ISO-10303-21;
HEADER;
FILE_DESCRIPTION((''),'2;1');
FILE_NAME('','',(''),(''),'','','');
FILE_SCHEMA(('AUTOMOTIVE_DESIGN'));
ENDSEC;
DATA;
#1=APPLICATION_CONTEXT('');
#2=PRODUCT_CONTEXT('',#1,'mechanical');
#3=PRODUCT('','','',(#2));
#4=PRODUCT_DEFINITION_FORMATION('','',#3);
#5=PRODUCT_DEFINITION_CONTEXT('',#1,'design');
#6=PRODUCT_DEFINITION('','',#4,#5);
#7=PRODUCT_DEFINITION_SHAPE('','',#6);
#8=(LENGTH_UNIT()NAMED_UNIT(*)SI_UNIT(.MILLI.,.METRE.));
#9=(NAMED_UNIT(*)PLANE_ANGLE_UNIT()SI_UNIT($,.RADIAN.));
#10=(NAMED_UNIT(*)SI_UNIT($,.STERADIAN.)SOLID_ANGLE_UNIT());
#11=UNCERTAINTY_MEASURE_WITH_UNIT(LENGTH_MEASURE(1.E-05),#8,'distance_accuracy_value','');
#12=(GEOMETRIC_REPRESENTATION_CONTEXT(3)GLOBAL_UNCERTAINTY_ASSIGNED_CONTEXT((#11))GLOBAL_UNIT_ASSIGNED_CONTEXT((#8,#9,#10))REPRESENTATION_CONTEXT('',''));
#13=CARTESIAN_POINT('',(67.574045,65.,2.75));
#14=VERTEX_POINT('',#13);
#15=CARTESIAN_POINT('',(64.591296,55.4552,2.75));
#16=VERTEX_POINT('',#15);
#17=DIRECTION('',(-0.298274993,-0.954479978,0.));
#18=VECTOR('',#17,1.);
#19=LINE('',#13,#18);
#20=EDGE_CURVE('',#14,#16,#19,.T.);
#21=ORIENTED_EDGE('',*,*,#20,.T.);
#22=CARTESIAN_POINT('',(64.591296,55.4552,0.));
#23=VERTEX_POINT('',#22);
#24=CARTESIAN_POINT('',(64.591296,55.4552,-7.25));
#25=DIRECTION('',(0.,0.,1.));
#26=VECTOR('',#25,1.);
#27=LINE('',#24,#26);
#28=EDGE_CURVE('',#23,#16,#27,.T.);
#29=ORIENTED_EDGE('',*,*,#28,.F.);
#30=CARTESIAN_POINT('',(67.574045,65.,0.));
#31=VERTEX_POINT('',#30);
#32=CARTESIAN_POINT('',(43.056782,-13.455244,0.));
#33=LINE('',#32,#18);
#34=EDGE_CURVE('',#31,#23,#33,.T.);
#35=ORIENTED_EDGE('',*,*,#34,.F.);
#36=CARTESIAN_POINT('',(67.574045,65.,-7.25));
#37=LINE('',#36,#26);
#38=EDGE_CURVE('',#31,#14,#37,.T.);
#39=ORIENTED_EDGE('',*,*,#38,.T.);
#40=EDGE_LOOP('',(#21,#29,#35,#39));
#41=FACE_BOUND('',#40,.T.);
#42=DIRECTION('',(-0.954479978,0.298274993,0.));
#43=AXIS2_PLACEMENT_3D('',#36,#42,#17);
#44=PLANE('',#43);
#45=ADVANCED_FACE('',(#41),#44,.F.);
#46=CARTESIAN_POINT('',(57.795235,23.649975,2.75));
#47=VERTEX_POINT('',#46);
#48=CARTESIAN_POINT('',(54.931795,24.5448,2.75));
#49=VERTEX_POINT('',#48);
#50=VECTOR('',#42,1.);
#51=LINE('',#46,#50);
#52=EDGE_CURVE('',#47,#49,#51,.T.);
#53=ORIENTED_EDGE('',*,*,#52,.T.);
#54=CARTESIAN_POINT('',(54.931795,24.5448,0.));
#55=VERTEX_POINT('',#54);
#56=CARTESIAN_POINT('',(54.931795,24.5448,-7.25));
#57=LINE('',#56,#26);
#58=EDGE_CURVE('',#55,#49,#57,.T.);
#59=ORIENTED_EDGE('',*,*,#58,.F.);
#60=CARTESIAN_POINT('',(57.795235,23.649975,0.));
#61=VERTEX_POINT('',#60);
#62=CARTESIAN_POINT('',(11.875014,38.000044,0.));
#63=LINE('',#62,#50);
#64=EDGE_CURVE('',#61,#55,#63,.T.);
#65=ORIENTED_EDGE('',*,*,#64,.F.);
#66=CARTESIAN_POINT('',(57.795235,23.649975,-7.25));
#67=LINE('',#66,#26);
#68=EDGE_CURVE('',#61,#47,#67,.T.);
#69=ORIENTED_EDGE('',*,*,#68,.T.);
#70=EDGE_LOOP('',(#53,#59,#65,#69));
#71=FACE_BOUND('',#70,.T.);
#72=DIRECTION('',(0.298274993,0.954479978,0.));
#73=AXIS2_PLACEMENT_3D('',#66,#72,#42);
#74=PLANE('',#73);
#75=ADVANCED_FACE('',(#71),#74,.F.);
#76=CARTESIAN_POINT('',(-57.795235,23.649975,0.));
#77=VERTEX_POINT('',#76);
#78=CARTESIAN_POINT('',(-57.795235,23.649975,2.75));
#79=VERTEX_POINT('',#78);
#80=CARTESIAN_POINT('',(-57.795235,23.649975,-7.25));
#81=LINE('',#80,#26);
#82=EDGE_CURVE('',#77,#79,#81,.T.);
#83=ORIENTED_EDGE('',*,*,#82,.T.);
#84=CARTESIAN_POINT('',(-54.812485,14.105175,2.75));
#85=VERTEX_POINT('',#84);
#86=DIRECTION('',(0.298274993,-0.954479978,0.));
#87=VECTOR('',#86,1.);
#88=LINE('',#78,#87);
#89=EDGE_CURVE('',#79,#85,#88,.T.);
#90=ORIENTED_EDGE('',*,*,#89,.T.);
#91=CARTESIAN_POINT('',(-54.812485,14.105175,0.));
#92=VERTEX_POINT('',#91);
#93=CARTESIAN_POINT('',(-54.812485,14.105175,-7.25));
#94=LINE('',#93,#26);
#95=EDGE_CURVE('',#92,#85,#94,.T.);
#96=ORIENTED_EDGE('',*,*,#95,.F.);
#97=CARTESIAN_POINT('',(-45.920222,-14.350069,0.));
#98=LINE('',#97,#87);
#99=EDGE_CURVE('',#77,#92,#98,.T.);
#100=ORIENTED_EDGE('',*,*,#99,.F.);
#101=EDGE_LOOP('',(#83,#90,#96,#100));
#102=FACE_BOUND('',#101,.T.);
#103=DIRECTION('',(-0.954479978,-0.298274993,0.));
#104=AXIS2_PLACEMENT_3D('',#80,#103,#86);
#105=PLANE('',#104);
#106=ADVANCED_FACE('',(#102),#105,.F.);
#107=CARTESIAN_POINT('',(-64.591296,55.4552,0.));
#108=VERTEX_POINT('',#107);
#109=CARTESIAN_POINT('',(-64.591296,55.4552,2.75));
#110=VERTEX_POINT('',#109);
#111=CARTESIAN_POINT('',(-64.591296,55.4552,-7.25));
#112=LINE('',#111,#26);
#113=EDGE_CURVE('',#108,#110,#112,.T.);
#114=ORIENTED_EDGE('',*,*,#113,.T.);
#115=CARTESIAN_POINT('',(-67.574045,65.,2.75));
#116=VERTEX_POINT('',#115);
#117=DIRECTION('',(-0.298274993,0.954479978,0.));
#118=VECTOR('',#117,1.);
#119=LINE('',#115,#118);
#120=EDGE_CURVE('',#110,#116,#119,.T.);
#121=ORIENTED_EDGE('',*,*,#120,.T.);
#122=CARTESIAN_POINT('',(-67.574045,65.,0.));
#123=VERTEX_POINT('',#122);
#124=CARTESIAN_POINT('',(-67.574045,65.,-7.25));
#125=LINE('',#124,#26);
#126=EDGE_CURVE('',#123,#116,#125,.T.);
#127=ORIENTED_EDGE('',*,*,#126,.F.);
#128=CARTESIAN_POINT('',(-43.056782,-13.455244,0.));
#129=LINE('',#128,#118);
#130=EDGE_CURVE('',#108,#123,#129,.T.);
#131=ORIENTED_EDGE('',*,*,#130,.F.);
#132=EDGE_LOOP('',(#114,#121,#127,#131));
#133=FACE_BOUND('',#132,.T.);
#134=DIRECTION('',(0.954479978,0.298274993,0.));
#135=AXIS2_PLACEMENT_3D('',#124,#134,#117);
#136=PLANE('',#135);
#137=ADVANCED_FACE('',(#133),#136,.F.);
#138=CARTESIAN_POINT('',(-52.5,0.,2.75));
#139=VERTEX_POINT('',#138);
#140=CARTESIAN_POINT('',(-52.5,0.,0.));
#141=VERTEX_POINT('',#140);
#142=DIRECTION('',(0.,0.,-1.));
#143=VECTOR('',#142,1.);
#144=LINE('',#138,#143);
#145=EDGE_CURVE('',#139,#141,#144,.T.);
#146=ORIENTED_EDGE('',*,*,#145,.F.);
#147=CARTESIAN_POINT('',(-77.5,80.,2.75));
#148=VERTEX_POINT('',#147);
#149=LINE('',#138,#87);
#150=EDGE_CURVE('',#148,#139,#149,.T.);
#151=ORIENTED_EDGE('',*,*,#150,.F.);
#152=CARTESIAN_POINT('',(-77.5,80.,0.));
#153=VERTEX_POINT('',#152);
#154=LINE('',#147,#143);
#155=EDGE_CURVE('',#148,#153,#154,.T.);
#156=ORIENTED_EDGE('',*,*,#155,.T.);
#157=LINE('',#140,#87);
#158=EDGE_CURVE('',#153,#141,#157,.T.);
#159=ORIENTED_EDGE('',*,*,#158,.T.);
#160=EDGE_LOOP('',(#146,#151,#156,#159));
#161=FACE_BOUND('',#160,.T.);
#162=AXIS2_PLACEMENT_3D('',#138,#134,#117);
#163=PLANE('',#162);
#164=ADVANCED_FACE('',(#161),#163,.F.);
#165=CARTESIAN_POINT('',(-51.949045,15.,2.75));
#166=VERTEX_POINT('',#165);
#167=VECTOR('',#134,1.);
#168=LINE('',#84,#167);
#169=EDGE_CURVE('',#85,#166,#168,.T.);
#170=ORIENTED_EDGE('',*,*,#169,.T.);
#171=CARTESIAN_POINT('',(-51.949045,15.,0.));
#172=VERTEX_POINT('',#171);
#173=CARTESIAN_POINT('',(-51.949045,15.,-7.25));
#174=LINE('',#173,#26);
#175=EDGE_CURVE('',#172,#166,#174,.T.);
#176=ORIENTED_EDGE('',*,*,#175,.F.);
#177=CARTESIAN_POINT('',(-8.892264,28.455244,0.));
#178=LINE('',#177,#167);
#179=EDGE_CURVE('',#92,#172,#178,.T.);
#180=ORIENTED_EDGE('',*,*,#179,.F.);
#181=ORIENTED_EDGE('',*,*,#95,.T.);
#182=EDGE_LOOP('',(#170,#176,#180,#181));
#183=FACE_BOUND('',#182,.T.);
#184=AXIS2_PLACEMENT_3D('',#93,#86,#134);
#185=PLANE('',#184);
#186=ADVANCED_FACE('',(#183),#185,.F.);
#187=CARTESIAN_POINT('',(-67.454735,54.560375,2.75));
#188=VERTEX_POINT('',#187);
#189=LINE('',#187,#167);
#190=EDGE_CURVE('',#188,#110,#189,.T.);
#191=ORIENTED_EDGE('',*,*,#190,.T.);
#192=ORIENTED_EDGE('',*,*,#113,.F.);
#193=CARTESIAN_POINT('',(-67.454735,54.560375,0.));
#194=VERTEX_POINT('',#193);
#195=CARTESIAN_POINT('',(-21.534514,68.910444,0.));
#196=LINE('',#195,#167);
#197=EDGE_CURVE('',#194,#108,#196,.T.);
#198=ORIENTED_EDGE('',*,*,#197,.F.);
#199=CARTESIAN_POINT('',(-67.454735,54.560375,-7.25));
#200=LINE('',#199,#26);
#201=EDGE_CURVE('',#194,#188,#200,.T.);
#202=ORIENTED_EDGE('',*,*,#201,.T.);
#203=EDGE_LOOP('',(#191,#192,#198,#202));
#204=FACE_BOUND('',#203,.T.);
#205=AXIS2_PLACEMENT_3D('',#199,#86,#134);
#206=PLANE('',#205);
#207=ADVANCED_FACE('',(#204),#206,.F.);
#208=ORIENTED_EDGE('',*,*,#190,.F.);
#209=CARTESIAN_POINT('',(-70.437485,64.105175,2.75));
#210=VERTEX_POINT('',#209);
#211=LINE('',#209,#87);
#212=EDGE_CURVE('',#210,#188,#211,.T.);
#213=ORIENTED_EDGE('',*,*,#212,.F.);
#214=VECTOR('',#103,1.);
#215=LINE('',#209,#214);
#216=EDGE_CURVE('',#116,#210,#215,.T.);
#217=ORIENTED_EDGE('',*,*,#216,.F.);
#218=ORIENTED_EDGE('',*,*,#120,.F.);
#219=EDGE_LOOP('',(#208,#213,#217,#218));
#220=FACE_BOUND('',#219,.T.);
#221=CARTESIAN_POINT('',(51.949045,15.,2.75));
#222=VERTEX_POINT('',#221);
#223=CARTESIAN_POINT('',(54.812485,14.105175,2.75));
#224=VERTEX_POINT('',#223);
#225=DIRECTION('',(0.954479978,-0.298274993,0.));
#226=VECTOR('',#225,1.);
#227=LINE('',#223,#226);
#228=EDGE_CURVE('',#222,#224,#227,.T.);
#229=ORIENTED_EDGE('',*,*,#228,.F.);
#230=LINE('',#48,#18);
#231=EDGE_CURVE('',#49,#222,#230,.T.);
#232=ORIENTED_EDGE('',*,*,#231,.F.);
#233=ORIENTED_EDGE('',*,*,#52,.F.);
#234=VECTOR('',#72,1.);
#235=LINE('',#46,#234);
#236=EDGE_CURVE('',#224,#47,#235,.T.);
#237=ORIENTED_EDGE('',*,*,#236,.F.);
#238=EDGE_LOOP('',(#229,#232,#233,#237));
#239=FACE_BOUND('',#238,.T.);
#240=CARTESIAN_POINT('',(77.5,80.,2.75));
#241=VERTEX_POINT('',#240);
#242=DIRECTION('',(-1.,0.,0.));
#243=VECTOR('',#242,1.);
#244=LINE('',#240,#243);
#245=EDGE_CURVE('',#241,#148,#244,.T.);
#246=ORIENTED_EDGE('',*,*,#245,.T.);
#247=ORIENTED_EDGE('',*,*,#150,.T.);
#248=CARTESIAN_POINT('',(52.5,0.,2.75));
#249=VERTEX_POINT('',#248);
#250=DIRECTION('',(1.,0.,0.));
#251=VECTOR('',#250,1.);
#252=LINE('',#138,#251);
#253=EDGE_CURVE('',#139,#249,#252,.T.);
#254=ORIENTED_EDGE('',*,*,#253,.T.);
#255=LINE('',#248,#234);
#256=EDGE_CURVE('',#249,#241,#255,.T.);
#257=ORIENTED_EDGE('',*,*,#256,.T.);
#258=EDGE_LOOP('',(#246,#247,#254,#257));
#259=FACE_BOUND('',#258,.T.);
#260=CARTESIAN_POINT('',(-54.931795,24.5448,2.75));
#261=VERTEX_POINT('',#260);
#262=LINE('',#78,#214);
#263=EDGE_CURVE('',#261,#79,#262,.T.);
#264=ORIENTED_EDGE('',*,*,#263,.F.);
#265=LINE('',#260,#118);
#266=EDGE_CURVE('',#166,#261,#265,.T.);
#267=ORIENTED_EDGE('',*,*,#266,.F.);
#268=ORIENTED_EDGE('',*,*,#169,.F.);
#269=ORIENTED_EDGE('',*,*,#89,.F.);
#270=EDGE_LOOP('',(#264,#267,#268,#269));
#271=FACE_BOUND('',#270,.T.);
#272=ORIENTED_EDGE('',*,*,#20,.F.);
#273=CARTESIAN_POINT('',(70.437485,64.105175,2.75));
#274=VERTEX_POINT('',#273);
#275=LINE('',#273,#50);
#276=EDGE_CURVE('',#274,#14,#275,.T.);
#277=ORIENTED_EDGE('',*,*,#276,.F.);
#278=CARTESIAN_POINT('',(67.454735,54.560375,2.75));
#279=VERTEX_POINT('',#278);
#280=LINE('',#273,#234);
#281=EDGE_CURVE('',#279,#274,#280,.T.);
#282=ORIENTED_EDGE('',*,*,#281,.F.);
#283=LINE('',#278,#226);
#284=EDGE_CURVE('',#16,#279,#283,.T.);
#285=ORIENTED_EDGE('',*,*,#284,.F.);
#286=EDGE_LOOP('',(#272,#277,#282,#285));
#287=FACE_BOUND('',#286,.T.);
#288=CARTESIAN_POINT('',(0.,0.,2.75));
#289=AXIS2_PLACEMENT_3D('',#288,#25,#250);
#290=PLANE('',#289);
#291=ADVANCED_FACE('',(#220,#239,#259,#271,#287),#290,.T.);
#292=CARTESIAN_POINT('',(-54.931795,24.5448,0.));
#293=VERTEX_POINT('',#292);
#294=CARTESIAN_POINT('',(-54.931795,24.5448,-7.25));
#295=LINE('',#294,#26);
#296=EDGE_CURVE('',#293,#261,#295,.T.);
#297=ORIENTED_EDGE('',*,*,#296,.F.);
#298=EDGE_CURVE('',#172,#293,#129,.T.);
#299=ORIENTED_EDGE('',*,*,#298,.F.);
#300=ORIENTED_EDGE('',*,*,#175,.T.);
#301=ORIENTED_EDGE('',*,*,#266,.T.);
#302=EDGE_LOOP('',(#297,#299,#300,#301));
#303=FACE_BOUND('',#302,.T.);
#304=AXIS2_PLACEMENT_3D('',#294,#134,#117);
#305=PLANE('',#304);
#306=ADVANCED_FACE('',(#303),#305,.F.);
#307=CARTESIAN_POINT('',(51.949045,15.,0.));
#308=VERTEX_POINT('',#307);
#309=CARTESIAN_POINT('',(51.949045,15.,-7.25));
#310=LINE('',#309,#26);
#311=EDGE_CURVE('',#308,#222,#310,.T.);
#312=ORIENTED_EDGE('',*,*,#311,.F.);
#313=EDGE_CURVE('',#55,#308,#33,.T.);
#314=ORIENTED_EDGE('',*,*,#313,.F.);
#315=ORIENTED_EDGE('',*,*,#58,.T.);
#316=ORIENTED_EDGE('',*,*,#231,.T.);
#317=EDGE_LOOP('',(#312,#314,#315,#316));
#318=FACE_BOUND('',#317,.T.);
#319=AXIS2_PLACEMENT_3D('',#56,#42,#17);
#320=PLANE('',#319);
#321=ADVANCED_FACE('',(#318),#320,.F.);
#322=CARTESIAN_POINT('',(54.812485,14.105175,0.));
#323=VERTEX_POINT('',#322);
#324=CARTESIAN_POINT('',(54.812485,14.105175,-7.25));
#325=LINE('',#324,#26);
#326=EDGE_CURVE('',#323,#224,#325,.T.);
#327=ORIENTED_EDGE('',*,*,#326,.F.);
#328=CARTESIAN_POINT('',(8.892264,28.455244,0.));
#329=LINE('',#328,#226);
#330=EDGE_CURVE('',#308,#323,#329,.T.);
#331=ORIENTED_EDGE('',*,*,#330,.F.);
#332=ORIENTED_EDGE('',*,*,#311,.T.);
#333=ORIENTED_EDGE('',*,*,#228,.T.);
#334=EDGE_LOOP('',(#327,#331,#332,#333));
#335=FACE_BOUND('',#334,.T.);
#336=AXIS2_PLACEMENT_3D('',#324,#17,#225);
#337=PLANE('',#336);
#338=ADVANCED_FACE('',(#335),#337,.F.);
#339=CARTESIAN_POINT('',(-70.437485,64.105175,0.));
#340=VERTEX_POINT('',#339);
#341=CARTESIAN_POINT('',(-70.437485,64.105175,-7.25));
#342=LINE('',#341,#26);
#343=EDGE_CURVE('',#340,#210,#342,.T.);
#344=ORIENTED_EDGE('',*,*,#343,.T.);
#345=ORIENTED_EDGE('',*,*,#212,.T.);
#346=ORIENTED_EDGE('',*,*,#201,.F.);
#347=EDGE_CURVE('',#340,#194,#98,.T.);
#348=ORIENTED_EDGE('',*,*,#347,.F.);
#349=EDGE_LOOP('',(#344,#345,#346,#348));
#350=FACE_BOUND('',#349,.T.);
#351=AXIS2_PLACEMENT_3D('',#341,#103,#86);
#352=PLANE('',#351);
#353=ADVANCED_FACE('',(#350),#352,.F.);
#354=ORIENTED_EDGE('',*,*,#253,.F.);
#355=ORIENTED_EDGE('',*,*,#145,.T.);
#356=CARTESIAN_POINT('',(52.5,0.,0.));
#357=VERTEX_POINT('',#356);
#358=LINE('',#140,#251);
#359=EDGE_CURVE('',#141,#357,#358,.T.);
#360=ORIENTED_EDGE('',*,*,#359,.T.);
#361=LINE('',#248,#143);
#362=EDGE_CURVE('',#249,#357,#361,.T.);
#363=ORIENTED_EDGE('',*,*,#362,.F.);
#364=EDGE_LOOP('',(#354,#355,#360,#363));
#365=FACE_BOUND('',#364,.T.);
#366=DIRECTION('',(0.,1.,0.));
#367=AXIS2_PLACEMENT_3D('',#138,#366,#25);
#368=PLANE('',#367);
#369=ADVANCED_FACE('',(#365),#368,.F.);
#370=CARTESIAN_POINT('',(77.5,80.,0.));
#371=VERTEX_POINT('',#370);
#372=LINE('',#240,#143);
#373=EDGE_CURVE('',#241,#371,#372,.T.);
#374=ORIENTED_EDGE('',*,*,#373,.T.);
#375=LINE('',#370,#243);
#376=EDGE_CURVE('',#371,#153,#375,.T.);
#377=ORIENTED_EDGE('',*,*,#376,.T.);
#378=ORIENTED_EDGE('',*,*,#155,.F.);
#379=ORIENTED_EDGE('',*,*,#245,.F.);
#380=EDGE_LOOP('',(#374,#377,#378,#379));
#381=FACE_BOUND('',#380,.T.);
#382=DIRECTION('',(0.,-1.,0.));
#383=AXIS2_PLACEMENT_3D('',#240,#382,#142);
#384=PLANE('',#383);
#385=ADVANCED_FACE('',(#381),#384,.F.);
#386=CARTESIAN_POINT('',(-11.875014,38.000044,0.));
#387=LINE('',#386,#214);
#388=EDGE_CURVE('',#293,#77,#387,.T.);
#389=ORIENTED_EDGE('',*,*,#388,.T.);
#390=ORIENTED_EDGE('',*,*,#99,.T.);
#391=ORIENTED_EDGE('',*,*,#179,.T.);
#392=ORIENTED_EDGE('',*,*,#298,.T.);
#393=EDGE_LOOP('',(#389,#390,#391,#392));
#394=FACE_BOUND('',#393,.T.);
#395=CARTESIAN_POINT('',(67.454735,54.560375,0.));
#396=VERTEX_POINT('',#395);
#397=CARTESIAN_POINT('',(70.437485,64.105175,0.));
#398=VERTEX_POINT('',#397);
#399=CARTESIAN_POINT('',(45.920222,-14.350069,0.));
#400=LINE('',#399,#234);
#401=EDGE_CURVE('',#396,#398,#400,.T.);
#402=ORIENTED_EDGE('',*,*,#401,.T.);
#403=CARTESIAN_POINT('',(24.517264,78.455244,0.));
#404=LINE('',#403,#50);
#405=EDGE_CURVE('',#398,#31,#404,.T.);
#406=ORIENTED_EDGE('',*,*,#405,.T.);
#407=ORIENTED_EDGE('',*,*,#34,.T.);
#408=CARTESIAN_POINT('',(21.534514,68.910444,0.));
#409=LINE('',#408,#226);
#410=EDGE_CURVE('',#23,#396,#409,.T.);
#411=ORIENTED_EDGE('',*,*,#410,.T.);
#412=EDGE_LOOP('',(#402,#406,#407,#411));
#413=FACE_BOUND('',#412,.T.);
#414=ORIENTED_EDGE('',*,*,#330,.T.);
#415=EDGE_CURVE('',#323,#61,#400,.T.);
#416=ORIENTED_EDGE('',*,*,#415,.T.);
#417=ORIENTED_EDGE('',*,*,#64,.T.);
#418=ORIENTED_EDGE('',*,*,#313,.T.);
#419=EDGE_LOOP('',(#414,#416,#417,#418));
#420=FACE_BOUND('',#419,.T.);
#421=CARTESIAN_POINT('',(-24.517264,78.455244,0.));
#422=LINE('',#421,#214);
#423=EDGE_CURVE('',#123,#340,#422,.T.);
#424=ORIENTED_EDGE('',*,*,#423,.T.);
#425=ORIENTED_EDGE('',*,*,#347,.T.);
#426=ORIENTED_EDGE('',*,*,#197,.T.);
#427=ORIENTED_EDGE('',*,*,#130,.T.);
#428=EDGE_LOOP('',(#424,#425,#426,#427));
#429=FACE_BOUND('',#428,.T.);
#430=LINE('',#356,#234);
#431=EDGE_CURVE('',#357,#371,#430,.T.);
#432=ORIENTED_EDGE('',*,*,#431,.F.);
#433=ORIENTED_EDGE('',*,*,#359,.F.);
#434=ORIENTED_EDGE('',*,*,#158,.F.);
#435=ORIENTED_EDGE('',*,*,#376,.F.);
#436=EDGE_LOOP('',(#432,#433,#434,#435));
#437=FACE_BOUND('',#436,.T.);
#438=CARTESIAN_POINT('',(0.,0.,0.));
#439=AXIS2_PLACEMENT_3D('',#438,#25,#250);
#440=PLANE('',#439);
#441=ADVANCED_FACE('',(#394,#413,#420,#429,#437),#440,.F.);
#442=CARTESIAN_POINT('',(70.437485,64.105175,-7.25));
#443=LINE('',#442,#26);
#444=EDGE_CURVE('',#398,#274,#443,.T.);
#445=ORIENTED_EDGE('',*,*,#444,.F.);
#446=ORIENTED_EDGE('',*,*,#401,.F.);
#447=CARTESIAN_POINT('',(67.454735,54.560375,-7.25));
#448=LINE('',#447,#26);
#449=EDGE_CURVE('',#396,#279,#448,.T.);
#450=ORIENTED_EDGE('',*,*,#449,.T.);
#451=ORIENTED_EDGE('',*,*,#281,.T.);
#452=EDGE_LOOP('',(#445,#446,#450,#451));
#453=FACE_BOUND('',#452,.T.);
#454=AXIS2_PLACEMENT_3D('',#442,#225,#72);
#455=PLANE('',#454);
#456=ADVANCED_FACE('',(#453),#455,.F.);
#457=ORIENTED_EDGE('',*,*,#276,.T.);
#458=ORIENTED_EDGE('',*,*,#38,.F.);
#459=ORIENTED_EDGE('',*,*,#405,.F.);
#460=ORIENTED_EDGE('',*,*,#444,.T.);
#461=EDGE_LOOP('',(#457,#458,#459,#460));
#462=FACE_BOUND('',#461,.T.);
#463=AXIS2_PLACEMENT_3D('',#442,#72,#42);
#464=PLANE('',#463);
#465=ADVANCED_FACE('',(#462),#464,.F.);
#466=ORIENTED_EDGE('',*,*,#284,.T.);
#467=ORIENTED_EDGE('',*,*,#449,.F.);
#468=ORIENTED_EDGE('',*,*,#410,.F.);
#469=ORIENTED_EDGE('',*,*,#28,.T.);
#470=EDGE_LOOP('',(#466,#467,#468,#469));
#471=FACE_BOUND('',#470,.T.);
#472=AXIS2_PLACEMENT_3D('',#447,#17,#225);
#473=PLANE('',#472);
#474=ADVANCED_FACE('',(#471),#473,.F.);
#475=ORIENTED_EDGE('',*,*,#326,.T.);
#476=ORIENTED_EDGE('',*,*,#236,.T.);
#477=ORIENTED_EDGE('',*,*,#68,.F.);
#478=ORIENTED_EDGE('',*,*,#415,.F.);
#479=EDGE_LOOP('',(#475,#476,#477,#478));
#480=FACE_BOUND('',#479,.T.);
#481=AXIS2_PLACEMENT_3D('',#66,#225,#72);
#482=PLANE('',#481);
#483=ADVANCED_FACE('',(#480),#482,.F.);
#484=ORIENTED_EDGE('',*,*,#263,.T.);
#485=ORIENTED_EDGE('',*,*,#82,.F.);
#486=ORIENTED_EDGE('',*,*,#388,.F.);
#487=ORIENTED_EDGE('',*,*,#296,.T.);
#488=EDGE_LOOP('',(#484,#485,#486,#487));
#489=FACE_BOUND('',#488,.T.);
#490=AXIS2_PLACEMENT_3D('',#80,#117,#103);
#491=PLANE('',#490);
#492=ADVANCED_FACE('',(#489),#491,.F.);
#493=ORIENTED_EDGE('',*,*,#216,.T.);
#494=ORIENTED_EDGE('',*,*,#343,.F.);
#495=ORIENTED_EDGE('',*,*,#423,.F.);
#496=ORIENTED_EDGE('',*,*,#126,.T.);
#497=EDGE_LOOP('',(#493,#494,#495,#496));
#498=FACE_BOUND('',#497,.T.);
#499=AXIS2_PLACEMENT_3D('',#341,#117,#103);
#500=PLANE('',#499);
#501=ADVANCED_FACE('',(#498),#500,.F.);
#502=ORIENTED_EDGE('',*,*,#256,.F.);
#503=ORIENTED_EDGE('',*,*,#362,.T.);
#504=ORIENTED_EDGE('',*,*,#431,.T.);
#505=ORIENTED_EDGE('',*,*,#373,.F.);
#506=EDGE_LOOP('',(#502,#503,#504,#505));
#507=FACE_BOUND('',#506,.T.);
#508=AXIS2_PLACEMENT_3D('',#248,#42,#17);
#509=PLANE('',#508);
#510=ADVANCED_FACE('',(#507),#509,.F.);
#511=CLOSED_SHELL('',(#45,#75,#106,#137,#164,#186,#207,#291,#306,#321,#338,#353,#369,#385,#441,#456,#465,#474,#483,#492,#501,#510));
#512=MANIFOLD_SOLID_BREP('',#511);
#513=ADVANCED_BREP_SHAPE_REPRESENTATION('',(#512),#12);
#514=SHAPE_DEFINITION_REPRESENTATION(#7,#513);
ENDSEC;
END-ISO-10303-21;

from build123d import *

# Parameters (mm, degrees)
BOSS_EXTRUDE1_DEPTH = 2.75
CUT_EXTRUDE1_DEPTH  = 10


with BuildPart() as part:
    # Sketch1 → Boss-Extrude1 (new body)
    with BuildSketch(Plane.XY):
        Polygon((-52.5, 0), (52.5, 0), (77.5, 80), (-77.5, 80), align=None)
    extrude(amount=BOSS_EXTRUDE1_DEPTH)

    # Sketch4 → Cut-Extrude1 (cut)
    with BuildSketch(Plane.XY.offset(2.75)):
        Polygon((70.437485367, 64.105175021), (67.454735436, 54.56037524), (64.591295502, 55.45520022), (67.574045433, 65), align=None)
        Polygon((57.795235299, 23.649974801), (54.812485367, 14.105175021), (51.949045433, 15), (54.931795364, 24.54479978), align=None)
        Polygon((-54.931795364, 24.54479978), (-51.949045433, 15), (-54.812485367, 14.105175021), (-57.795235299, 23.649974801), align=None)
        Polygon((-67.574045433, 65), (-64.591295502, 55.45520022), (-67.454735436, 54.56037524), (-70.437485367, 64.105175021), align=None)
    extrude(amount=-CUT_EXTRUDE1_DEPTH, mode=Mode.SUBTRACT)


solid = part.part
